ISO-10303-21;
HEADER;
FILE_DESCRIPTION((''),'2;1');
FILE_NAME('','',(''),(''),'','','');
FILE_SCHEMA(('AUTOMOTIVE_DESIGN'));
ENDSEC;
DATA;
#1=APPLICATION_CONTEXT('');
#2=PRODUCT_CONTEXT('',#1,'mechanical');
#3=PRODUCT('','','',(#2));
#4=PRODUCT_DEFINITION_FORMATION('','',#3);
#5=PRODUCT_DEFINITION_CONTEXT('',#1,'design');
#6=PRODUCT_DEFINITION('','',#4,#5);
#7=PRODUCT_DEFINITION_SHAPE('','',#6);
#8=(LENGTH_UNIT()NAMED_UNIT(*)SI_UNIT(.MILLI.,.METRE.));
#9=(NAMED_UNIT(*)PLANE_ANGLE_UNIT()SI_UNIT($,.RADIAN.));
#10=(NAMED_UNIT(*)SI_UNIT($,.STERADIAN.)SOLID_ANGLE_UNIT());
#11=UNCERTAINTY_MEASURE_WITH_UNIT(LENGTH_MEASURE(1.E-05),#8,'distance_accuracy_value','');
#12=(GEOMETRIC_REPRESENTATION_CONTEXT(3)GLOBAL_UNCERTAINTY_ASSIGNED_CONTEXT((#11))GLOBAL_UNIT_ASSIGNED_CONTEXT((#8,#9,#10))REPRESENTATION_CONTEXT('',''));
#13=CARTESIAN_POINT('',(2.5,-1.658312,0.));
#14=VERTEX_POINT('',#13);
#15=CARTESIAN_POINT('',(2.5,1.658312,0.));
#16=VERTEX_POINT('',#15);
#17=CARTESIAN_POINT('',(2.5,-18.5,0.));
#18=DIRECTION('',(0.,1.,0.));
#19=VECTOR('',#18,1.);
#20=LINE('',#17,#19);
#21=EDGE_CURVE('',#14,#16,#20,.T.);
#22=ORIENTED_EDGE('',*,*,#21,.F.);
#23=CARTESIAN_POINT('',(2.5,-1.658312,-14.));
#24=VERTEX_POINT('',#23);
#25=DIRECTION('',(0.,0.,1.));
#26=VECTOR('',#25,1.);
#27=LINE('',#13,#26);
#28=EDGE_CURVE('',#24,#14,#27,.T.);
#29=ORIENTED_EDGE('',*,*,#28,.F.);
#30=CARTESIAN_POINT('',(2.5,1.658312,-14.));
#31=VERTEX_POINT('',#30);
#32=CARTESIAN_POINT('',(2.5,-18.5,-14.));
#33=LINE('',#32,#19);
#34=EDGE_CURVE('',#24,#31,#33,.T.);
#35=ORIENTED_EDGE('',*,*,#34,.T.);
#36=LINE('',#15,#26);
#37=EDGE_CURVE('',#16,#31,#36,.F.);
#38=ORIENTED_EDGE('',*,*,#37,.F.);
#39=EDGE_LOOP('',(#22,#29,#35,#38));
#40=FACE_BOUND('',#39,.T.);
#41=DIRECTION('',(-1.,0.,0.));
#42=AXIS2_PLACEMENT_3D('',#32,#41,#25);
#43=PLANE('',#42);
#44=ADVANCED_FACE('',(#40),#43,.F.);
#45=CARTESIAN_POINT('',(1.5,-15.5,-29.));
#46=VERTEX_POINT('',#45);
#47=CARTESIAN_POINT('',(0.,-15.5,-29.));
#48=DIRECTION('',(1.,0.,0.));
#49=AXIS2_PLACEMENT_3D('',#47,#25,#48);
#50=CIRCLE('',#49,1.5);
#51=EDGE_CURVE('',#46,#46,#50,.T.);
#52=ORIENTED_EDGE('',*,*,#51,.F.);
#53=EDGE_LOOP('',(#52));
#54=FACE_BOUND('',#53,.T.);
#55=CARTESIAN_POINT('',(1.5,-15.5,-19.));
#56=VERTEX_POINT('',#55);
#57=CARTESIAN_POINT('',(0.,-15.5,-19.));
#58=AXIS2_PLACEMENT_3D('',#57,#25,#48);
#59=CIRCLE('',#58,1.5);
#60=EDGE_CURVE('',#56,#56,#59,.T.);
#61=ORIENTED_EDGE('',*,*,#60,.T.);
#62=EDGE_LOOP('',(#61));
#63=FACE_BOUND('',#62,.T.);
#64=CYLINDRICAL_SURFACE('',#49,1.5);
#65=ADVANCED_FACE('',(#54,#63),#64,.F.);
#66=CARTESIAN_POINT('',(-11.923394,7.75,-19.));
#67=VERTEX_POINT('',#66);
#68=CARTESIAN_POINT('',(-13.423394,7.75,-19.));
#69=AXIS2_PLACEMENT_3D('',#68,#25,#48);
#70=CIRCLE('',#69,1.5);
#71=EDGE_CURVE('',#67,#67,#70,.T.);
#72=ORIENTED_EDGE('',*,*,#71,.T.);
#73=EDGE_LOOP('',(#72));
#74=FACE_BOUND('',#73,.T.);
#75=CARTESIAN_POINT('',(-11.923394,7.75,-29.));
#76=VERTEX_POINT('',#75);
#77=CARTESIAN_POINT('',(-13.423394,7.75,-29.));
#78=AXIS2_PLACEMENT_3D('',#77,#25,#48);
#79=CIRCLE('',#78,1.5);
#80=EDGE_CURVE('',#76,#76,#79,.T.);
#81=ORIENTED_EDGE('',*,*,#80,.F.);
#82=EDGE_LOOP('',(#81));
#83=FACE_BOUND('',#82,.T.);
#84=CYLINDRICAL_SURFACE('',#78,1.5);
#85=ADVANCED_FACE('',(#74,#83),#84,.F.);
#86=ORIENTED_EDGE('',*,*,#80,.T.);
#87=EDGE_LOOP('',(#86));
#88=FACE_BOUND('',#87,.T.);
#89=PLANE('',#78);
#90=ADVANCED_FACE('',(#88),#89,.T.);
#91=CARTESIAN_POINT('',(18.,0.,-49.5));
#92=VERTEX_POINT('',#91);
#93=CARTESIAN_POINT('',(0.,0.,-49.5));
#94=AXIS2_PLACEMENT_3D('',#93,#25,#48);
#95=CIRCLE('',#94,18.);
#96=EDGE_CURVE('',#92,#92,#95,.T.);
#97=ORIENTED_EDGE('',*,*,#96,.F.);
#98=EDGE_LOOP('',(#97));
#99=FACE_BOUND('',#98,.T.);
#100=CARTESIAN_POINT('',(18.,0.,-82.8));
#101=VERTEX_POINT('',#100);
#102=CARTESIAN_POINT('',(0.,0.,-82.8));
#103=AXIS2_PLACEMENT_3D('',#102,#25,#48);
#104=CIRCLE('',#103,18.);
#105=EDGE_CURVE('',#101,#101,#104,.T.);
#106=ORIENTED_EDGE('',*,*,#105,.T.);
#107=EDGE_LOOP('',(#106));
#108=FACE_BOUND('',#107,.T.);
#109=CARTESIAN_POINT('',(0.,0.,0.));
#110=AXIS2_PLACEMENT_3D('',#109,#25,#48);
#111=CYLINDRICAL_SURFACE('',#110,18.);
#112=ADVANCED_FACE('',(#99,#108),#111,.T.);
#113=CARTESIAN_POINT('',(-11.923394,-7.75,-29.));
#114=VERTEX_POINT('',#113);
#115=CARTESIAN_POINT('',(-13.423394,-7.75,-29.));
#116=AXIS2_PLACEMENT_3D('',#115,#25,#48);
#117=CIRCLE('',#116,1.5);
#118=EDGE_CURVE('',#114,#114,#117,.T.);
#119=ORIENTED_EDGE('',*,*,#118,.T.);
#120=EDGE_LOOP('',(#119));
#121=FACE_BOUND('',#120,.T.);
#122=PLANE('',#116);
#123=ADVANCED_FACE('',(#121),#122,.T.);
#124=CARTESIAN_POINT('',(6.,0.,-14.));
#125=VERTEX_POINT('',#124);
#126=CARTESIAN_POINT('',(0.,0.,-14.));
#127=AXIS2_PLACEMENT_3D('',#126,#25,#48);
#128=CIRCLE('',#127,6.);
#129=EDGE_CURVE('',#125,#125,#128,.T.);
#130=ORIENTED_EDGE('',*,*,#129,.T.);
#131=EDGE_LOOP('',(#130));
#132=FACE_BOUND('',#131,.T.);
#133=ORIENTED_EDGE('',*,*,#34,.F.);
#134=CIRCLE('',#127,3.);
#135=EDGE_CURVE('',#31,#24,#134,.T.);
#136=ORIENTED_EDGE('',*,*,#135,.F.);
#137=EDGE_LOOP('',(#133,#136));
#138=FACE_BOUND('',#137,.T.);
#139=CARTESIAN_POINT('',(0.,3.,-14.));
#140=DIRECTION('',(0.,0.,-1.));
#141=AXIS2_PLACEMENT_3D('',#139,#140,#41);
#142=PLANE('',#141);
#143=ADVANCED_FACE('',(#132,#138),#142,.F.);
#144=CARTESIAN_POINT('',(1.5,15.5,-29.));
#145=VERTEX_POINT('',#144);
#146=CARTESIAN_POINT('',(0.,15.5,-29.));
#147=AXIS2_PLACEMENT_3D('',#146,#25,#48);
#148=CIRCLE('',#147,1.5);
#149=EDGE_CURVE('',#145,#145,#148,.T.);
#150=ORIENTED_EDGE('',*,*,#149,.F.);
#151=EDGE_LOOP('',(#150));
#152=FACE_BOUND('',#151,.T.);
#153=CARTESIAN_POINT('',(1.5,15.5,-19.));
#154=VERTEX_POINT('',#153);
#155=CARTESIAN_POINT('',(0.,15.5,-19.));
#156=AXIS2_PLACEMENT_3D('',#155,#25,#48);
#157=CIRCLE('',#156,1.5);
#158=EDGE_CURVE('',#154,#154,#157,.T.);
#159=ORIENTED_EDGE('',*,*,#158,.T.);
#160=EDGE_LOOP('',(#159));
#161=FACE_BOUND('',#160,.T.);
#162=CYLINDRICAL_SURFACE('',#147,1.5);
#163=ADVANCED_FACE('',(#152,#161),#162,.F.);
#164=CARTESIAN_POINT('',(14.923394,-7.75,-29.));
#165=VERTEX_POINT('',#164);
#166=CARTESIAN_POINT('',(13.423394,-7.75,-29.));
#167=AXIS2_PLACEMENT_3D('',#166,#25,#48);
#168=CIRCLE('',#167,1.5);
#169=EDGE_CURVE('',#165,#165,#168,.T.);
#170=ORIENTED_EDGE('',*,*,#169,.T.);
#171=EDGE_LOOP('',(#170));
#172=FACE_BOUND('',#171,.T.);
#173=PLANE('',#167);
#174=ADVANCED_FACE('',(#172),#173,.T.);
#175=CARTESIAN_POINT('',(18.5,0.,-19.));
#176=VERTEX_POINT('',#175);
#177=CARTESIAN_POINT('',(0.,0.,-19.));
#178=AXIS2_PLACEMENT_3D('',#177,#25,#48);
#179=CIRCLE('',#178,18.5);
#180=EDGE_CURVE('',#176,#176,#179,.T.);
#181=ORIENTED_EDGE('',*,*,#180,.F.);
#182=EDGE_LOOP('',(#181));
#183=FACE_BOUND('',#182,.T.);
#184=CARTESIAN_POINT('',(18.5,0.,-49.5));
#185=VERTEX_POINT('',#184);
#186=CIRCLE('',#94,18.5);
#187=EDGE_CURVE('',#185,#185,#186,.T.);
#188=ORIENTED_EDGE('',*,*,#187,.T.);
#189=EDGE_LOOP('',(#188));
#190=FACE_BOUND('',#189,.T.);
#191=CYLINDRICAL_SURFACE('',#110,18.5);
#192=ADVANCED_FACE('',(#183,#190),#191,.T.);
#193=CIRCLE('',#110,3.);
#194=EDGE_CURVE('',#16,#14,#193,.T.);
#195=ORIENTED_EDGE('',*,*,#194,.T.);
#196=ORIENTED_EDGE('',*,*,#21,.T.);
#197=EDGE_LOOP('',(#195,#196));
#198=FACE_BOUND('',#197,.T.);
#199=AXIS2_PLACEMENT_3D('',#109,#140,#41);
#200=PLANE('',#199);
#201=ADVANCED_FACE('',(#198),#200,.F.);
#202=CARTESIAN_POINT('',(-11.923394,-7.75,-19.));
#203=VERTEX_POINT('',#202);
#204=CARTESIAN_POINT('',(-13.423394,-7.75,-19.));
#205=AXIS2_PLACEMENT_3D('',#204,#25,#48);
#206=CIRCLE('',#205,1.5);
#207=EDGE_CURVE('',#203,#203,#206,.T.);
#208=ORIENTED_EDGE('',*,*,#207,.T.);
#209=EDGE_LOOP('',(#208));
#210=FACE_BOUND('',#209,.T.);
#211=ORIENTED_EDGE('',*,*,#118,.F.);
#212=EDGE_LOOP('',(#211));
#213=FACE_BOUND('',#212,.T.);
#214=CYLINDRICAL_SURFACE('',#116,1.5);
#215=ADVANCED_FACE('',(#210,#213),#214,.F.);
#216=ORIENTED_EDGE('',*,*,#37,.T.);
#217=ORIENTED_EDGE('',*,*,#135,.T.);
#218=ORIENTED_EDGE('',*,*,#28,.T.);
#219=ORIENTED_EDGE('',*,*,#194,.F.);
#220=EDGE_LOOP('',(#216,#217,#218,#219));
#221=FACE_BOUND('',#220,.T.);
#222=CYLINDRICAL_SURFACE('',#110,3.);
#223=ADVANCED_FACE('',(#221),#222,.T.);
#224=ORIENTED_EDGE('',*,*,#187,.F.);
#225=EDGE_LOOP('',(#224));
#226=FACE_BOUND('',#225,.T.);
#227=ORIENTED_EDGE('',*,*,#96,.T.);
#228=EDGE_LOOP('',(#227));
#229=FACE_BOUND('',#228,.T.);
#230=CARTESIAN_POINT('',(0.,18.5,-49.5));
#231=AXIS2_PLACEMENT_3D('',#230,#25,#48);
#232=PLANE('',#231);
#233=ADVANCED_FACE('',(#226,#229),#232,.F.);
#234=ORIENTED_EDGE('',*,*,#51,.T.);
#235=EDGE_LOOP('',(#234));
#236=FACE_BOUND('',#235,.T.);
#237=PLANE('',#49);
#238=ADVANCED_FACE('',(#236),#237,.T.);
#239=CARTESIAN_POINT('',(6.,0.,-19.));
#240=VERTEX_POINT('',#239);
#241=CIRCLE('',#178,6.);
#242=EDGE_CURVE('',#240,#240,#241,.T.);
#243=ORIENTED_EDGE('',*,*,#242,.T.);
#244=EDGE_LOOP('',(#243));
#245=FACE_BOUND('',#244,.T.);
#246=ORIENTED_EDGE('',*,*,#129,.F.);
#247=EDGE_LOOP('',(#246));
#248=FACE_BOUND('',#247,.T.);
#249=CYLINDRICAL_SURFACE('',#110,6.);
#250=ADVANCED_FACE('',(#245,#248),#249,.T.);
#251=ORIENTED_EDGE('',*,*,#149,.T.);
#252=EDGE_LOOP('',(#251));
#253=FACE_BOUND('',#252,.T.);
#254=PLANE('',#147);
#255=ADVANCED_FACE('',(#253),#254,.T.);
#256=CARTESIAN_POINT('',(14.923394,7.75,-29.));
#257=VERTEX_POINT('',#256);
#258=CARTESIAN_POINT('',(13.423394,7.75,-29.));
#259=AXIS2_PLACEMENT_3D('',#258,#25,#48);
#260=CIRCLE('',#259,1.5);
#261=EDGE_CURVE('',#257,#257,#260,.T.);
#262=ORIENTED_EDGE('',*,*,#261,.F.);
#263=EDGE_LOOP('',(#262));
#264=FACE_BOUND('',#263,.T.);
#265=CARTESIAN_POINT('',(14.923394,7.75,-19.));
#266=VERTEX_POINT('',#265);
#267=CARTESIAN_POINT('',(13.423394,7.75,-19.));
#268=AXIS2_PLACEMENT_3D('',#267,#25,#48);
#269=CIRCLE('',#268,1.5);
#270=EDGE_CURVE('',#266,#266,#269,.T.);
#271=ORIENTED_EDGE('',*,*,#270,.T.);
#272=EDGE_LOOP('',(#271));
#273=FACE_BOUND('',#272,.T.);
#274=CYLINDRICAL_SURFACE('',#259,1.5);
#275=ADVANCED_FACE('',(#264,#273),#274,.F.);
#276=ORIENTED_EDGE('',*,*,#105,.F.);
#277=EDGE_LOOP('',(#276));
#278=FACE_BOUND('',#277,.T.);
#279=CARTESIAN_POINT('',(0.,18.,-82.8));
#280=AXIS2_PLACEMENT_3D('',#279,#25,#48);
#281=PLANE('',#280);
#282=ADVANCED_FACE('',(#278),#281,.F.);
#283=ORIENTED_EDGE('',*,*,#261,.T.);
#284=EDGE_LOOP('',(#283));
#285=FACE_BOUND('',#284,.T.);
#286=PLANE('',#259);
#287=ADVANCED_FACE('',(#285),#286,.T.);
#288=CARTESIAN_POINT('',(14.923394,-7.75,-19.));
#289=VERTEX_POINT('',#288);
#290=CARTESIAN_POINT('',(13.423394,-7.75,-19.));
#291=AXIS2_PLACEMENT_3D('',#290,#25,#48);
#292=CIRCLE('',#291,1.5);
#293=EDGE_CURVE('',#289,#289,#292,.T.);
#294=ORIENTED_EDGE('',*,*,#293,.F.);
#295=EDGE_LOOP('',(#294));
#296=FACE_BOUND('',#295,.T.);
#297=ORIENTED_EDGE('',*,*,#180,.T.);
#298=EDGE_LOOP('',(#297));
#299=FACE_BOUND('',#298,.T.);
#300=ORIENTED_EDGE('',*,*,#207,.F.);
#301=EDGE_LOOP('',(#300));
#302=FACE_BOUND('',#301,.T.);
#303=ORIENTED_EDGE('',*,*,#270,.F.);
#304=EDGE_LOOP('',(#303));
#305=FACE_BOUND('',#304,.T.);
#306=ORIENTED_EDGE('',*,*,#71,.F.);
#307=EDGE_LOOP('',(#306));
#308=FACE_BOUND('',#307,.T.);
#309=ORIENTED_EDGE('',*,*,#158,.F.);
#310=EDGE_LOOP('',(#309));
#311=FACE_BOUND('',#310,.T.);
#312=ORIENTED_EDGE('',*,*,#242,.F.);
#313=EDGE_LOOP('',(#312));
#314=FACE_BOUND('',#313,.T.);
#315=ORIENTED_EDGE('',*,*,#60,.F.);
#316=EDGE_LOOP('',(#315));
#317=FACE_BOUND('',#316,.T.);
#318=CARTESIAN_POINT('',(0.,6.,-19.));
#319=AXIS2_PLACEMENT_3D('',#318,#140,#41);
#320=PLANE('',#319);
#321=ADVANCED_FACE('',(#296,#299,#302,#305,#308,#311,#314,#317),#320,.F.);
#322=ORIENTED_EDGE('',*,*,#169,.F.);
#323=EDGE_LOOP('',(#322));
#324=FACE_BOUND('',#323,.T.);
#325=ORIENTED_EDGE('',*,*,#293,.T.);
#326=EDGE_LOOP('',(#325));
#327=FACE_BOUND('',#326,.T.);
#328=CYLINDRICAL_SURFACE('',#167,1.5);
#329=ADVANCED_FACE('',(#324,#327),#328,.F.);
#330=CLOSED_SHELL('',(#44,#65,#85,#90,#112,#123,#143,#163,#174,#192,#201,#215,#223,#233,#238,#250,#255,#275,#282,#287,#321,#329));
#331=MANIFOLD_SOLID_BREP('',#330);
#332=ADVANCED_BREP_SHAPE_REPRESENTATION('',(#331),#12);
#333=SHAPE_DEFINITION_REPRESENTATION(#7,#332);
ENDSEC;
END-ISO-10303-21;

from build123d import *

# Parameters (mm, degrees)
SKETCH_2_R               = 1.5
CUT_EXTRUDE_1_DEPTH      = 10
CUT_EXTRUDE_2_DEPTH      = 87.835131139
CUT_EXTRUDE_2_DEPTH_BACK = 87.835131139
SKETCH_3_W               = 1
SKETCH_3_H               = 14


with BuildPart() as part:
    # 草图1 → 旋转1 (revolve)
    with BuildSketch(Plane(origin=(0, 0, 0), x_dir=(0, 0, -1), z_dir=(1, 0, 0)), mode=Mode.PRIVATE) as revolve_1_sk:
        Polygon((0, 0), (0, 3), (14, 3), (14, 6), (19, 6), (19, 18.5), (49.5, 18.5), (49.5, 18), (82.8, 18), (82.8, 0), align=None)
    revolve(revolve_1_sk.sketch.rotate(Axis((0, 0, 0), (0, 0, -1)), 90), axis=Axis((0, 0, 0), (0, 0, -1)))

    # 草图2 → 切除-拉伸1 (cut)
    with BuildSketch(Plane.XY.offset(-19)):
        with Locations((0, 15.5)):
            Circle(SKETCH_2_R)
        with Locations((13.423393759, 7.75)):
            Circle(SKETCH_2_R)
        with Locations((13.423393759, -7.75)):
            Circle(SKETCH_2_R)
        with Locations((0, -15.5)):
            Circle(SKETCH_2_R)
        with Locations((-13.423393759, -7.75)):
            Circle(SKETCH_2_R)
        with Locations((-13.423393759, 7.75)):
            Circle(SKETCH_2_R)
    extrude(amount=-CUT_EXTRUDE_1_DEPTH, mode=Mode.SUBTRACT)

    # 草图3 → 切除-拉伸2 (cut, two sides: drawn at the far end of the back side and taken through both)
    with BuildSketch(Plane(origin=(0, 0, 0), x_dir=(1, 0, 0), z_dir=(0, 1, 0)).offset(-CUT_EXTRUDE_2_DEPTH_BACK)):
        with Locations((3, 7)):
            Rectangle(SKETCH_3_W, SKETCH_3_H)
    extrude(amount=CUT_EXTRUDE_2_DEPTH + CUT_EXTRUDE_2_DEPTH_BACK, mode=Mode.SUBTRACT)


solid = part.part
